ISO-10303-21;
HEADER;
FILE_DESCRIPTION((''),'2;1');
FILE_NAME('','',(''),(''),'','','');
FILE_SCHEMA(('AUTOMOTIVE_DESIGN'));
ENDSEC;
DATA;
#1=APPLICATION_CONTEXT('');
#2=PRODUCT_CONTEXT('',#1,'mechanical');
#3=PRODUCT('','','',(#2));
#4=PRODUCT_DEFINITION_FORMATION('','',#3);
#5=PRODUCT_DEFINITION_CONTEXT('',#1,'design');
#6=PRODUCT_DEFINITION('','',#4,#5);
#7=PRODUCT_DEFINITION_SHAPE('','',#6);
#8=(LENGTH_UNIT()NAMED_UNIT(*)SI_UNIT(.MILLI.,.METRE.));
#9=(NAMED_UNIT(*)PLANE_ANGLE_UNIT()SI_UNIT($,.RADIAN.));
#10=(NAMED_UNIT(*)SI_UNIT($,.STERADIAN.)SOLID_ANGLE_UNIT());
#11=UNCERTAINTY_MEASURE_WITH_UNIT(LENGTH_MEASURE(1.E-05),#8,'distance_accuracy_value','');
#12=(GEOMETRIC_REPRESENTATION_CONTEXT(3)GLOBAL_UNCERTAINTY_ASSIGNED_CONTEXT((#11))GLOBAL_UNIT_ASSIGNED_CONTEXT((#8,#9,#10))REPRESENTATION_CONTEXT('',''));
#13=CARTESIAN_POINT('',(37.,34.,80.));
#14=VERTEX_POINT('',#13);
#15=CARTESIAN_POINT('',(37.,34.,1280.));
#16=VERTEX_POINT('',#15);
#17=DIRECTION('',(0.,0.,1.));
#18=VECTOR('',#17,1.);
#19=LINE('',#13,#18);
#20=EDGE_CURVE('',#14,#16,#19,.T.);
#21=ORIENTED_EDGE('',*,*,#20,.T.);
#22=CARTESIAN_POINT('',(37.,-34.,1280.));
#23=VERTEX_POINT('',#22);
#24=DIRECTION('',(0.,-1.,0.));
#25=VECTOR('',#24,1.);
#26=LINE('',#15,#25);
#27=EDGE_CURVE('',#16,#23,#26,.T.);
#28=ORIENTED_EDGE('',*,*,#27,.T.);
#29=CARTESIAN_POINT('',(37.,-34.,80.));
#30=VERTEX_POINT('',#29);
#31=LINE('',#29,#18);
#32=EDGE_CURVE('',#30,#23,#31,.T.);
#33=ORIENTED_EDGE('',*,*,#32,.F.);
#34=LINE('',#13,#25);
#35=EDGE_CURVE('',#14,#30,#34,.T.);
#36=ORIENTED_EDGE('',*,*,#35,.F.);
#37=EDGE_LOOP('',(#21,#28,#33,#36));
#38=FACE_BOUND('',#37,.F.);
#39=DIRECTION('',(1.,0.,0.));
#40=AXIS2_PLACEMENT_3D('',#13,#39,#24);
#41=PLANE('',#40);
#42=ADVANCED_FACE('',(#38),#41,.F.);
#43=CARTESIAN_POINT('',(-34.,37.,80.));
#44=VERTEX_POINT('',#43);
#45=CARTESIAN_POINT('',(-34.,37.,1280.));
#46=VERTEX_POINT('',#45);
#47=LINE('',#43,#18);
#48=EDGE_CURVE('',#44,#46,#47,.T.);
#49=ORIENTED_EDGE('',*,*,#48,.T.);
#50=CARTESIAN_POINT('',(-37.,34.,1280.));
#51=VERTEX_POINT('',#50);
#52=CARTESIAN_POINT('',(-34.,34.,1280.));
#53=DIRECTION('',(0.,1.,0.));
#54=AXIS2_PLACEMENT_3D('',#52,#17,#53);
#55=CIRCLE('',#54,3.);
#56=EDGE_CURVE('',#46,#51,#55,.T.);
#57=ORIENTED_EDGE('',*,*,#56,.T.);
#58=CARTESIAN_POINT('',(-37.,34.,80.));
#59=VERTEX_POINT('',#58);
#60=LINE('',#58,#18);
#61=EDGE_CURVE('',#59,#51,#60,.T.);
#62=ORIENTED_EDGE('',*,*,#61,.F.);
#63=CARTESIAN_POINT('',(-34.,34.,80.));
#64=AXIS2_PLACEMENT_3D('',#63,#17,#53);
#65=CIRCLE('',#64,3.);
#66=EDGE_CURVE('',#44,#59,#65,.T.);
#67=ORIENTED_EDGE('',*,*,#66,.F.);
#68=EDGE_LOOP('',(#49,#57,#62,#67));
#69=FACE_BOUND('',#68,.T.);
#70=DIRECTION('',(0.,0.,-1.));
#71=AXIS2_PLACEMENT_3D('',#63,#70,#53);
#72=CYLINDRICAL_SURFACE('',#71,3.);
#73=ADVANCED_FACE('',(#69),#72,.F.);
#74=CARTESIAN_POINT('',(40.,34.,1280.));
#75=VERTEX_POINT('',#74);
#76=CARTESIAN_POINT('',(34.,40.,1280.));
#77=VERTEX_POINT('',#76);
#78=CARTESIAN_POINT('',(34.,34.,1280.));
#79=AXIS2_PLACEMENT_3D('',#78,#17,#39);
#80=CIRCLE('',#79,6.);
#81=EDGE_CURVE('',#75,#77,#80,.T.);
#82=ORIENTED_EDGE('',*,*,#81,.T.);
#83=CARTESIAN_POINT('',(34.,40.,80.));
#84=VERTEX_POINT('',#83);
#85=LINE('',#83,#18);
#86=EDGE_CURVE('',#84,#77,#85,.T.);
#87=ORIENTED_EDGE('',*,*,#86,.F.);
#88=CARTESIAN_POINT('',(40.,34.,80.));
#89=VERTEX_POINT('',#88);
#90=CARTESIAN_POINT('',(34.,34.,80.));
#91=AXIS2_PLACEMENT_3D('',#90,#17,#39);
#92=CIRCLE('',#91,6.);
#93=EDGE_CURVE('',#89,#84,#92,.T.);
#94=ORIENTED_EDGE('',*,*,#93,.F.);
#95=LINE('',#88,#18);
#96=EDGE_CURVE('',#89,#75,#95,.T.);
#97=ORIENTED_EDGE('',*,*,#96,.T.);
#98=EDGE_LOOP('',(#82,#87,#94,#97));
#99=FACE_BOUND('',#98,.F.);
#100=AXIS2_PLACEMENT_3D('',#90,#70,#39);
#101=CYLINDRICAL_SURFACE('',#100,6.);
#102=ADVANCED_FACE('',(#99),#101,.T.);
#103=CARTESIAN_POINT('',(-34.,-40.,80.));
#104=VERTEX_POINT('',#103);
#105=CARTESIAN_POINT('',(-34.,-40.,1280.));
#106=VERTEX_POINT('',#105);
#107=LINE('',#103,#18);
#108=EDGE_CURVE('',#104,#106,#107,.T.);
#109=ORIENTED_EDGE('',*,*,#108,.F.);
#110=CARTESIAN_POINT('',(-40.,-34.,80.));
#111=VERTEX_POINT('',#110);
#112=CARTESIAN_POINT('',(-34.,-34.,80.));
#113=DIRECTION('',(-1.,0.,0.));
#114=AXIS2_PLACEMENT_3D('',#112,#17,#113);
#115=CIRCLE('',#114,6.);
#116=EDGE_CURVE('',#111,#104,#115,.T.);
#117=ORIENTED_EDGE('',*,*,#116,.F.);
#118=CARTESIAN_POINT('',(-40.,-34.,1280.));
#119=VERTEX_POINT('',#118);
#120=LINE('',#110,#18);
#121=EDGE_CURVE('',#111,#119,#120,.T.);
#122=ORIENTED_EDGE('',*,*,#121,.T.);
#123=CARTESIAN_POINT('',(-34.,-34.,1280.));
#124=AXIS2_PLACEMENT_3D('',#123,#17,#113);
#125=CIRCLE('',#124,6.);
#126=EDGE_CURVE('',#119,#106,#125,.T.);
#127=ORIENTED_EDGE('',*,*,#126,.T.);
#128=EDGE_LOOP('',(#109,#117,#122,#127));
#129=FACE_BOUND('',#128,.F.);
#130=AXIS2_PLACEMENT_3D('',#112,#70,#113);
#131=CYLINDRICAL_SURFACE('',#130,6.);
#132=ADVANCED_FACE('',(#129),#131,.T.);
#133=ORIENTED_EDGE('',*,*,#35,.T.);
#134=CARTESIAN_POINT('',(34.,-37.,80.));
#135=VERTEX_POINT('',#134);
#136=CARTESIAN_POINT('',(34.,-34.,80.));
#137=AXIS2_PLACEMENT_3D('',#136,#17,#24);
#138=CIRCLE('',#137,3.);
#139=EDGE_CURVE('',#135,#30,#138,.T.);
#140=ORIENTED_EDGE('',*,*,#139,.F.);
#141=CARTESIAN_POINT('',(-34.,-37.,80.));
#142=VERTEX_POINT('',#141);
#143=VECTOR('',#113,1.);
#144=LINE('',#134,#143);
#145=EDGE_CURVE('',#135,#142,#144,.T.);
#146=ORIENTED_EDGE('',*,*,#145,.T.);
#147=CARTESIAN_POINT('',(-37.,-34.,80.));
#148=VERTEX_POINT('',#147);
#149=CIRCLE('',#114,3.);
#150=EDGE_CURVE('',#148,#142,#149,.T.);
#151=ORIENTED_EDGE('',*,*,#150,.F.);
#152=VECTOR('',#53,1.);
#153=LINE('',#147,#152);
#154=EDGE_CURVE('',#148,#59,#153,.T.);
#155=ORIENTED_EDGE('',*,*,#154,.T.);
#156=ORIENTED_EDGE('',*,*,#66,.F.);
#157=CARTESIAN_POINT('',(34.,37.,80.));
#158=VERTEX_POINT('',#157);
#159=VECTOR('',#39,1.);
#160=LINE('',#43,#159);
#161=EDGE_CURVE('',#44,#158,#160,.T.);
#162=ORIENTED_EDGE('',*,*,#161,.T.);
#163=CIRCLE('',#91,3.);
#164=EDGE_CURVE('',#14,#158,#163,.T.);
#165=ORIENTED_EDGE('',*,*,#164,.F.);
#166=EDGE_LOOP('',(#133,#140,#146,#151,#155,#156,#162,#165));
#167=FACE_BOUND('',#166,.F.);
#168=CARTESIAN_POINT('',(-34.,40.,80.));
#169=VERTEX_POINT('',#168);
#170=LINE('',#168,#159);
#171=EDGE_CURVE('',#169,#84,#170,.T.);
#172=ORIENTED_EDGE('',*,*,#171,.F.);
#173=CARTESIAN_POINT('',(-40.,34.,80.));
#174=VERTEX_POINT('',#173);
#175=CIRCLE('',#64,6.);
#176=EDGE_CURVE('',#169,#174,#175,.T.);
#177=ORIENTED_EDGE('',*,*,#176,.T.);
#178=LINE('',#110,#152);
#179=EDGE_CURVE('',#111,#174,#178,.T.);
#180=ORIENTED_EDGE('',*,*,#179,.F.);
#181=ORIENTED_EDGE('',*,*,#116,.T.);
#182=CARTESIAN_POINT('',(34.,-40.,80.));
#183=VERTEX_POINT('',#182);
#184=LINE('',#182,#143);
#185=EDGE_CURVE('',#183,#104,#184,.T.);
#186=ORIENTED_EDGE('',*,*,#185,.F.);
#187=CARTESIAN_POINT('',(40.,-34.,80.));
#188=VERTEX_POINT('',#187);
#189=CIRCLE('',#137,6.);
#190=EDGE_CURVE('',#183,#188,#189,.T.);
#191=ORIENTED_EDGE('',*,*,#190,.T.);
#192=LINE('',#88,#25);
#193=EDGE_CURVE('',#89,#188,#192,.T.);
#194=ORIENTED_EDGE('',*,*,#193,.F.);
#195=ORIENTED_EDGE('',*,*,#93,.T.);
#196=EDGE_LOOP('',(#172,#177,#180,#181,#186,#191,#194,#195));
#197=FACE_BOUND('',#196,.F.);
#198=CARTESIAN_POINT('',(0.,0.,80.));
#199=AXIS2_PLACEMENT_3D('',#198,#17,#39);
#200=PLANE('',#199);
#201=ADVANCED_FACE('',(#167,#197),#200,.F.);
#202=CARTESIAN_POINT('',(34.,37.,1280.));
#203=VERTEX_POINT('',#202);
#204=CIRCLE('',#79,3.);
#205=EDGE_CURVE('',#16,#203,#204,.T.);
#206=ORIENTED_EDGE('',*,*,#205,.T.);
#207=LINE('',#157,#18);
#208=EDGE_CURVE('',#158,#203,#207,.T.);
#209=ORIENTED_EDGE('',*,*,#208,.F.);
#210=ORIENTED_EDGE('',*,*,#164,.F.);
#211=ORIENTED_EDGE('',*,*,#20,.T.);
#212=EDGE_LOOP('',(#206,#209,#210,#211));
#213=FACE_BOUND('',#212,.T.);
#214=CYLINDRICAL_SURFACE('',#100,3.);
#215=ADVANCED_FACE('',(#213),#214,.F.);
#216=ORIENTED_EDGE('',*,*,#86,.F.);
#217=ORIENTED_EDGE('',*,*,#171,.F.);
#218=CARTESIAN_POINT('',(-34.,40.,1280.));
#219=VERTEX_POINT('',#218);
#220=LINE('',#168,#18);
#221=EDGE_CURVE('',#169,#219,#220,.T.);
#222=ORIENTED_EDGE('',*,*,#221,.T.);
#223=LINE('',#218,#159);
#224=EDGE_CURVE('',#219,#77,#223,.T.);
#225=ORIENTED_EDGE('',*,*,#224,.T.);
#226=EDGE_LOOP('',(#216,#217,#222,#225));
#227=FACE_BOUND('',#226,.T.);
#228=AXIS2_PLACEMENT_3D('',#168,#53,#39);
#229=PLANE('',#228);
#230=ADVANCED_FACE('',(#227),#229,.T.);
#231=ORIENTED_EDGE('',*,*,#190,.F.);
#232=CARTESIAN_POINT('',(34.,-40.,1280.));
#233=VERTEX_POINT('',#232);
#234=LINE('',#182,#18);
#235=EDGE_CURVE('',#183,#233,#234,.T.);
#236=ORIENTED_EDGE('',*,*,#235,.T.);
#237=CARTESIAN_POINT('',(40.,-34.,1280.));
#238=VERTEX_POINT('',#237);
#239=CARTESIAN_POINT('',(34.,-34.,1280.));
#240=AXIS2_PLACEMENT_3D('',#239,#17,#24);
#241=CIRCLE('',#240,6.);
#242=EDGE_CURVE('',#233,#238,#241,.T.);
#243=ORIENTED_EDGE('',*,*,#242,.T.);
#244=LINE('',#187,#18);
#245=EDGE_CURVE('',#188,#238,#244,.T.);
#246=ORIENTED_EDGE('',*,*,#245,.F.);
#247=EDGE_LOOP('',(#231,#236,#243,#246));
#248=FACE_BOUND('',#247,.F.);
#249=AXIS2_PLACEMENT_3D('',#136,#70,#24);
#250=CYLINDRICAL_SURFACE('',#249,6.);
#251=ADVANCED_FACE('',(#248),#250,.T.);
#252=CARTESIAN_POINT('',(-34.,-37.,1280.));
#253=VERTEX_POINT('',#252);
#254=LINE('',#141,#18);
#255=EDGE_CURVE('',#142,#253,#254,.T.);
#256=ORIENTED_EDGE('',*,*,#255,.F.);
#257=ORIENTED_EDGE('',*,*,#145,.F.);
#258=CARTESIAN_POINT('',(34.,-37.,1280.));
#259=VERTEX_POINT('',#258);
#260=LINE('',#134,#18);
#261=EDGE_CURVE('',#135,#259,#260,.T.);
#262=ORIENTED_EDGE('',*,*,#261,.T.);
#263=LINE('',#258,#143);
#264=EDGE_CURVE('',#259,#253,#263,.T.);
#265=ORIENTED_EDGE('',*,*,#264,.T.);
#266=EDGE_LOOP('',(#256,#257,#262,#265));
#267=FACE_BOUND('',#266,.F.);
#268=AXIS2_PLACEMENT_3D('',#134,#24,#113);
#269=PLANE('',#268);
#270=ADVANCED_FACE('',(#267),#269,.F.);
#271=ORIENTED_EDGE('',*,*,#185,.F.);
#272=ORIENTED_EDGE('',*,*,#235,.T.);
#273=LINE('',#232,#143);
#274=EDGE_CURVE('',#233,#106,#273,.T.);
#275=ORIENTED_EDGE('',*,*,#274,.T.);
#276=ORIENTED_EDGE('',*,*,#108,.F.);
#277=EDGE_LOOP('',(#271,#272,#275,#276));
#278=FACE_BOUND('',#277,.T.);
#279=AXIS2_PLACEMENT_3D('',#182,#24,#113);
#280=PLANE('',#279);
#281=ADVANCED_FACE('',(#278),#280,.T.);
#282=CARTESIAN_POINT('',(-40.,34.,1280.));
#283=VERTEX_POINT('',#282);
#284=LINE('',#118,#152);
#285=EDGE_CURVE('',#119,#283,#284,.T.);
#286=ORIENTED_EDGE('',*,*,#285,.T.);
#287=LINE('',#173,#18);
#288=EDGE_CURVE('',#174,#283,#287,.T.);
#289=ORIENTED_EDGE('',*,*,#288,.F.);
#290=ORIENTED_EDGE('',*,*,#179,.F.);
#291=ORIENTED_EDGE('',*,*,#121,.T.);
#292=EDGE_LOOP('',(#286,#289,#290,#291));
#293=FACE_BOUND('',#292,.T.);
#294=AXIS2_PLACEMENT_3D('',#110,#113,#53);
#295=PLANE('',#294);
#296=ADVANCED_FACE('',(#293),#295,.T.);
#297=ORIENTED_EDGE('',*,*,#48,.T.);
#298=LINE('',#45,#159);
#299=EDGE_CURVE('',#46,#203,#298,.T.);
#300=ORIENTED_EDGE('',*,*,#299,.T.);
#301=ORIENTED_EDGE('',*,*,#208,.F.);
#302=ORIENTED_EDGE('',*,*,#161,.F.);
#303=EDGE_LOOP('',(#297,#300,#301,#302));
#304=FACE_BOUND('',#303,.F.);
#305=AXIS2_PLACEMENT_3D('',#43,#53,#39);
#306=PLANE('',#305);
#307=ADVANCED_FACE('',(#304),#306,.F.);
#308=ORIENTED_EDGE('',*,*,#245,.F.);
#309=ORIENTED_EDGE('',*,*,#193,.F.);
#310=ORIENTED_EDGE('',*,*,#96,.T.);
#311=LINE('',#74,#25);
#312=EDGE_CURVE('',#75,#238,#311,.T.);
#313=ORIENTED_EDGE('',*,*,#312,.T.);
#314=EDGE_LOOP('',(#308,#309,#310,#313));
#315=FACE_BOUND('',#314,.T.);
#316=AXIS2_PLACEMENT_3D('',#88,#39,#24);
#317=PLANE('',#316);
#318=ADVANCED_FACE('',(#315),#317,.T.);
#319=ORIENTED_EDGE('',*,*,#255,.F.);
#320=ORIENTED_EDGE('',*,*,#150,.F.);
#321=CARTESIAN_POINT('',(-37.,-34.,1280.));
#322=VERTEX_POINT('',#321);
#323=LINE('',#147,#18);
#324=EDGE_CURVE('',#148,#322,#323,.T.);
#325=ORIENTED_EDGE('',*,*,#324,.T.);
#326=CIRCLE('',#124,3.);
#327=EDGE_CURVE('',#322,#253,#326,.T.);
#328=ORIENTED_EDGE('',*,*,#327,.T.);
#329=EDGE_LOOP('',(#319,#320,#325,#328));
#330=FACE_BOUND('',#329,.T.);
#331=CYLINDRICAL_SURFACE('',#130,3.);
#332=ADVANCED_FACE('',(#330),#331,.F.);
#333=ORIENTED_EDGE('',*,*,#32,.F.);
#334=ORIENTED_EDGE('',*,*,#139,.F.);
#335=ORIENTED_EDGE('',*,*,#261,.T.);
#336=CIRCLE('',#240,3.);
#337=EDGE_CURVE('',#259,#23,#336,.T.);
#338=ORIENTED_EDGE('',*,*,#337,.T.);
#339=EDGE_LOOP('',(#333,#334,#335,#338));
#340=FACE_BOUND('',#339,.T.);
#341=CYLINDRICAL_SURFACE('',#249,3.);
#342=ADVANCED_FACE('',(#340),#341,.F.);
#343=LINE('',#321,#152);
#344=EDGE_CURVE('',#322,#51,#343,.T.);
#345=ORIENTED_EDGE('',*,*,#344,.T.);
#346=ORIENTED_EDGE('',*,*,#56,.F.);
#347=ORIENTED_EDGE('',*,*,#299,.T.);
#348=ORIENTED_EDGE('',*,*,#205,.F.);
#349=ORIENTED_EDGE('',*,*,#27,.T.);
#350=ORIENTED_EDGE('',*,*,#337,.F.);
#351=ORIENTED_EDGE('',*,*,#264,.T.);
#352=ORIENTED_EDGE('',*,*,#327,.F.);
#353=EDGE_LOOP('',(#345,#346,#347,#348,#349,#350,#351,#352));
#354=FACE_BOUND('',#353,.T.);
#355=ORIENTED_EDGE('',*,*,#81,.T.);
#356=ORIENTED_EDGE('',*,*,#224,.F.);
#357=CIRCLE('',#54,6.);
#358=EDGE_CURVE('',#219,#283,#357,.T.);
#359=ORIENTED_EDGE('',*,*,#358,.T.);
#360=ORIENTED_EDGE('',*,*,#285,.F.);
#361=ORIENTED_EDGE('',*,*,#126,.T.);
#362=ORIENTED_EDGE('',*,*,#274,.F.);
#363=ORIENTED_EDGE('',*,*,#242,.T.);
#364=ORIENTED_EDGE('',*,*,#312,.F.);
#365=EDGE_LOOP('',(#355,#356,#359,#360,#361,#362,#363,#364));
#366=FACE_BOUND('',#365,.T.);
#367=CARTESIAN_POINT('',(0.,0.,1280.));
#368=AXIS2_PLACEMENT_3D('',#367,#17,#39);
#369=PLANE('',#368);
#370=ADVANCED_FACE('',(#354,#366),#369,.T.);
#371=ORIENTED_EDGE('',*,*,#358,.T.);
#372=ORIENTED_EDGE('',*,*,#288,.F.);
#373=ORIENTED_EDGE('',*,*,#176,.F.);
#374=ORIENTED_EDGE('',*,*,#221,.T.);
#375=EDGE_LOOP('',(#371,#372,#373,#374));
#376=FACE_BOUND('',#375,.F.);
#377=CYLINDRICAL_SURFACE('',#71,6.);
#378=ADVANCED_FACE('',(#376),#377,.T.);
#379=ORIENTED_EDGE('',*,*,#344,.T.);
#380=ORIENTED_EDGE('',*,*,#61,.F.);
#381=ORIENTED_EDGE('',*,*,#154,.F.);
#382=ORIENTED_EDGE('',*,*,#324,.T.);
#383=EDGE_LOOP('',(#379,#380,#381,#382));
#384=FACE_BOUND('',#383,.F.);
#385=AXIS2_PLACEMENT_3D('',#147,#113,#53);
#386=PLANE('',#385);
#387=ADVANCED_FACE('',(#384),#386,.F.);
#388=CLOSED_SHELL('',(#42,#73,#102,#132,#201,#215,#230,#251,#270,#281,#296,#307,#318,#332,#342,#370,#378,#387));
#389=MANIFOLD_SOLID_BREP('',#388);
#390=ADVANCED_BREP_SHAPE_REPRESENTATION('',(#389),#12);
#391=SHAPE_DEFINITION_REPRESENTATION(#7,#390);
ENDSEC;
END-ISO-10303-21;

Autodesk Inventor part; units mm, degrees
ref_plane "YZ Plane" through (0, 0, 0) normal (1, 0, 0) x (0, 1, 0)
ref_plane "Start Plane" through (0, 0, 80) normal (0, 0, 1) x (1, 0, 0)
ref_plane "End Plane" through (0, 0, 1280) normal (0, 0, 1) x (1, 0, 0)
sketch "Sketch" plane through (0, 0, 0) normal (0, 0, 1) x (1, 0, 0)
  line L0 (-40, -34) -> (-40, 34)
  line L1 (-34, 40) -> (34, 40)
  line L2 (40, 34) -> (40, -34)
  line L3 (34, -40) -> (-34, -40)
  arc A0 (-40, -34) -> (-34, -40) centre (-34, -34) ccw
  arc A1 (40, 34) -> (34, 40) centre (34, 34) ccw
  arc A2 (-34, 40) -> (-40, 34) centre (-34, 34) ccw
  arc A3 (34, -40) -> (40, -34) centre (34, -34) ccw
  arc A4 (-34, 37) -> (-37, 34) centre (-34, 34) ccw
  line L4 (-34, 37) -> (34, 37)
  arc A5 (37, 34) -> (34, 37) centre (34, 34) ccw
  line L5 (37, 34) -> (37, -34)
  arc A6 (34, -37) -> (37, -34) centre (34, -34) ccw
  line L6 (34, -37) -> (-34, -37)
  arc A7 (-37, -34) -> (-34, -37) centre (-34, -34) ccw
  line L7 (-37, -34) -> (-37, 34)
  line L8 (0, 57.7397) -> (0, -57.7397) construction
  line L9 (-57.7397, 0) -> (57.7397, 0) construction
  dimension "d7" = 6
  dimension "d9" = 80
  dimension "d11" = 80
  dimension "d12" = 3
  dimension "d15" = 40
  dimension "d16" = 40
extrude "Body" add sketch "Sketch" along normal up to surface (1200 mm away) from surface at 80
sketch "Sketch3" plane through (0, 0, 0) normal (0, 0, 1) x (1, 0, 0)
  line L0 (0, 0) -> (10, 0)
ref_plane "Work Plane3" through (0, 0, 0) normal (0, -1, 0) x (1, 0, 0)
sketch "Sketch4" plane through (0, 0, 0) normal (0, -1, 0) x (1, 0, 0)
  line L0 (-2, 80) -> (12, 80) projected
  line L1 (-2, 1280) -> (12, 1280) projected
  dimension "d18" = 1200
equation "\"d7\" = G_IR"
equation "\"d9\" = G_W"
equation "\"d11\" = G_H"
equation "\"d12\" = G_T"
equation "\"d15\" = 0.5 * d9"
equation "\"d16\" = 0.5 * d11"
equation "\"d3\" = G_L"
equation "\"G_W\" = 80"
equation "\"G_H\" = 80"
equation "\"G_T\" = 3"
equation "\"G_IR\" = 6"
equation "\"G_L\" = d18"
properties part number "ISO 4019 - 80x80x3 - 1200" material "Steel, Mild"
